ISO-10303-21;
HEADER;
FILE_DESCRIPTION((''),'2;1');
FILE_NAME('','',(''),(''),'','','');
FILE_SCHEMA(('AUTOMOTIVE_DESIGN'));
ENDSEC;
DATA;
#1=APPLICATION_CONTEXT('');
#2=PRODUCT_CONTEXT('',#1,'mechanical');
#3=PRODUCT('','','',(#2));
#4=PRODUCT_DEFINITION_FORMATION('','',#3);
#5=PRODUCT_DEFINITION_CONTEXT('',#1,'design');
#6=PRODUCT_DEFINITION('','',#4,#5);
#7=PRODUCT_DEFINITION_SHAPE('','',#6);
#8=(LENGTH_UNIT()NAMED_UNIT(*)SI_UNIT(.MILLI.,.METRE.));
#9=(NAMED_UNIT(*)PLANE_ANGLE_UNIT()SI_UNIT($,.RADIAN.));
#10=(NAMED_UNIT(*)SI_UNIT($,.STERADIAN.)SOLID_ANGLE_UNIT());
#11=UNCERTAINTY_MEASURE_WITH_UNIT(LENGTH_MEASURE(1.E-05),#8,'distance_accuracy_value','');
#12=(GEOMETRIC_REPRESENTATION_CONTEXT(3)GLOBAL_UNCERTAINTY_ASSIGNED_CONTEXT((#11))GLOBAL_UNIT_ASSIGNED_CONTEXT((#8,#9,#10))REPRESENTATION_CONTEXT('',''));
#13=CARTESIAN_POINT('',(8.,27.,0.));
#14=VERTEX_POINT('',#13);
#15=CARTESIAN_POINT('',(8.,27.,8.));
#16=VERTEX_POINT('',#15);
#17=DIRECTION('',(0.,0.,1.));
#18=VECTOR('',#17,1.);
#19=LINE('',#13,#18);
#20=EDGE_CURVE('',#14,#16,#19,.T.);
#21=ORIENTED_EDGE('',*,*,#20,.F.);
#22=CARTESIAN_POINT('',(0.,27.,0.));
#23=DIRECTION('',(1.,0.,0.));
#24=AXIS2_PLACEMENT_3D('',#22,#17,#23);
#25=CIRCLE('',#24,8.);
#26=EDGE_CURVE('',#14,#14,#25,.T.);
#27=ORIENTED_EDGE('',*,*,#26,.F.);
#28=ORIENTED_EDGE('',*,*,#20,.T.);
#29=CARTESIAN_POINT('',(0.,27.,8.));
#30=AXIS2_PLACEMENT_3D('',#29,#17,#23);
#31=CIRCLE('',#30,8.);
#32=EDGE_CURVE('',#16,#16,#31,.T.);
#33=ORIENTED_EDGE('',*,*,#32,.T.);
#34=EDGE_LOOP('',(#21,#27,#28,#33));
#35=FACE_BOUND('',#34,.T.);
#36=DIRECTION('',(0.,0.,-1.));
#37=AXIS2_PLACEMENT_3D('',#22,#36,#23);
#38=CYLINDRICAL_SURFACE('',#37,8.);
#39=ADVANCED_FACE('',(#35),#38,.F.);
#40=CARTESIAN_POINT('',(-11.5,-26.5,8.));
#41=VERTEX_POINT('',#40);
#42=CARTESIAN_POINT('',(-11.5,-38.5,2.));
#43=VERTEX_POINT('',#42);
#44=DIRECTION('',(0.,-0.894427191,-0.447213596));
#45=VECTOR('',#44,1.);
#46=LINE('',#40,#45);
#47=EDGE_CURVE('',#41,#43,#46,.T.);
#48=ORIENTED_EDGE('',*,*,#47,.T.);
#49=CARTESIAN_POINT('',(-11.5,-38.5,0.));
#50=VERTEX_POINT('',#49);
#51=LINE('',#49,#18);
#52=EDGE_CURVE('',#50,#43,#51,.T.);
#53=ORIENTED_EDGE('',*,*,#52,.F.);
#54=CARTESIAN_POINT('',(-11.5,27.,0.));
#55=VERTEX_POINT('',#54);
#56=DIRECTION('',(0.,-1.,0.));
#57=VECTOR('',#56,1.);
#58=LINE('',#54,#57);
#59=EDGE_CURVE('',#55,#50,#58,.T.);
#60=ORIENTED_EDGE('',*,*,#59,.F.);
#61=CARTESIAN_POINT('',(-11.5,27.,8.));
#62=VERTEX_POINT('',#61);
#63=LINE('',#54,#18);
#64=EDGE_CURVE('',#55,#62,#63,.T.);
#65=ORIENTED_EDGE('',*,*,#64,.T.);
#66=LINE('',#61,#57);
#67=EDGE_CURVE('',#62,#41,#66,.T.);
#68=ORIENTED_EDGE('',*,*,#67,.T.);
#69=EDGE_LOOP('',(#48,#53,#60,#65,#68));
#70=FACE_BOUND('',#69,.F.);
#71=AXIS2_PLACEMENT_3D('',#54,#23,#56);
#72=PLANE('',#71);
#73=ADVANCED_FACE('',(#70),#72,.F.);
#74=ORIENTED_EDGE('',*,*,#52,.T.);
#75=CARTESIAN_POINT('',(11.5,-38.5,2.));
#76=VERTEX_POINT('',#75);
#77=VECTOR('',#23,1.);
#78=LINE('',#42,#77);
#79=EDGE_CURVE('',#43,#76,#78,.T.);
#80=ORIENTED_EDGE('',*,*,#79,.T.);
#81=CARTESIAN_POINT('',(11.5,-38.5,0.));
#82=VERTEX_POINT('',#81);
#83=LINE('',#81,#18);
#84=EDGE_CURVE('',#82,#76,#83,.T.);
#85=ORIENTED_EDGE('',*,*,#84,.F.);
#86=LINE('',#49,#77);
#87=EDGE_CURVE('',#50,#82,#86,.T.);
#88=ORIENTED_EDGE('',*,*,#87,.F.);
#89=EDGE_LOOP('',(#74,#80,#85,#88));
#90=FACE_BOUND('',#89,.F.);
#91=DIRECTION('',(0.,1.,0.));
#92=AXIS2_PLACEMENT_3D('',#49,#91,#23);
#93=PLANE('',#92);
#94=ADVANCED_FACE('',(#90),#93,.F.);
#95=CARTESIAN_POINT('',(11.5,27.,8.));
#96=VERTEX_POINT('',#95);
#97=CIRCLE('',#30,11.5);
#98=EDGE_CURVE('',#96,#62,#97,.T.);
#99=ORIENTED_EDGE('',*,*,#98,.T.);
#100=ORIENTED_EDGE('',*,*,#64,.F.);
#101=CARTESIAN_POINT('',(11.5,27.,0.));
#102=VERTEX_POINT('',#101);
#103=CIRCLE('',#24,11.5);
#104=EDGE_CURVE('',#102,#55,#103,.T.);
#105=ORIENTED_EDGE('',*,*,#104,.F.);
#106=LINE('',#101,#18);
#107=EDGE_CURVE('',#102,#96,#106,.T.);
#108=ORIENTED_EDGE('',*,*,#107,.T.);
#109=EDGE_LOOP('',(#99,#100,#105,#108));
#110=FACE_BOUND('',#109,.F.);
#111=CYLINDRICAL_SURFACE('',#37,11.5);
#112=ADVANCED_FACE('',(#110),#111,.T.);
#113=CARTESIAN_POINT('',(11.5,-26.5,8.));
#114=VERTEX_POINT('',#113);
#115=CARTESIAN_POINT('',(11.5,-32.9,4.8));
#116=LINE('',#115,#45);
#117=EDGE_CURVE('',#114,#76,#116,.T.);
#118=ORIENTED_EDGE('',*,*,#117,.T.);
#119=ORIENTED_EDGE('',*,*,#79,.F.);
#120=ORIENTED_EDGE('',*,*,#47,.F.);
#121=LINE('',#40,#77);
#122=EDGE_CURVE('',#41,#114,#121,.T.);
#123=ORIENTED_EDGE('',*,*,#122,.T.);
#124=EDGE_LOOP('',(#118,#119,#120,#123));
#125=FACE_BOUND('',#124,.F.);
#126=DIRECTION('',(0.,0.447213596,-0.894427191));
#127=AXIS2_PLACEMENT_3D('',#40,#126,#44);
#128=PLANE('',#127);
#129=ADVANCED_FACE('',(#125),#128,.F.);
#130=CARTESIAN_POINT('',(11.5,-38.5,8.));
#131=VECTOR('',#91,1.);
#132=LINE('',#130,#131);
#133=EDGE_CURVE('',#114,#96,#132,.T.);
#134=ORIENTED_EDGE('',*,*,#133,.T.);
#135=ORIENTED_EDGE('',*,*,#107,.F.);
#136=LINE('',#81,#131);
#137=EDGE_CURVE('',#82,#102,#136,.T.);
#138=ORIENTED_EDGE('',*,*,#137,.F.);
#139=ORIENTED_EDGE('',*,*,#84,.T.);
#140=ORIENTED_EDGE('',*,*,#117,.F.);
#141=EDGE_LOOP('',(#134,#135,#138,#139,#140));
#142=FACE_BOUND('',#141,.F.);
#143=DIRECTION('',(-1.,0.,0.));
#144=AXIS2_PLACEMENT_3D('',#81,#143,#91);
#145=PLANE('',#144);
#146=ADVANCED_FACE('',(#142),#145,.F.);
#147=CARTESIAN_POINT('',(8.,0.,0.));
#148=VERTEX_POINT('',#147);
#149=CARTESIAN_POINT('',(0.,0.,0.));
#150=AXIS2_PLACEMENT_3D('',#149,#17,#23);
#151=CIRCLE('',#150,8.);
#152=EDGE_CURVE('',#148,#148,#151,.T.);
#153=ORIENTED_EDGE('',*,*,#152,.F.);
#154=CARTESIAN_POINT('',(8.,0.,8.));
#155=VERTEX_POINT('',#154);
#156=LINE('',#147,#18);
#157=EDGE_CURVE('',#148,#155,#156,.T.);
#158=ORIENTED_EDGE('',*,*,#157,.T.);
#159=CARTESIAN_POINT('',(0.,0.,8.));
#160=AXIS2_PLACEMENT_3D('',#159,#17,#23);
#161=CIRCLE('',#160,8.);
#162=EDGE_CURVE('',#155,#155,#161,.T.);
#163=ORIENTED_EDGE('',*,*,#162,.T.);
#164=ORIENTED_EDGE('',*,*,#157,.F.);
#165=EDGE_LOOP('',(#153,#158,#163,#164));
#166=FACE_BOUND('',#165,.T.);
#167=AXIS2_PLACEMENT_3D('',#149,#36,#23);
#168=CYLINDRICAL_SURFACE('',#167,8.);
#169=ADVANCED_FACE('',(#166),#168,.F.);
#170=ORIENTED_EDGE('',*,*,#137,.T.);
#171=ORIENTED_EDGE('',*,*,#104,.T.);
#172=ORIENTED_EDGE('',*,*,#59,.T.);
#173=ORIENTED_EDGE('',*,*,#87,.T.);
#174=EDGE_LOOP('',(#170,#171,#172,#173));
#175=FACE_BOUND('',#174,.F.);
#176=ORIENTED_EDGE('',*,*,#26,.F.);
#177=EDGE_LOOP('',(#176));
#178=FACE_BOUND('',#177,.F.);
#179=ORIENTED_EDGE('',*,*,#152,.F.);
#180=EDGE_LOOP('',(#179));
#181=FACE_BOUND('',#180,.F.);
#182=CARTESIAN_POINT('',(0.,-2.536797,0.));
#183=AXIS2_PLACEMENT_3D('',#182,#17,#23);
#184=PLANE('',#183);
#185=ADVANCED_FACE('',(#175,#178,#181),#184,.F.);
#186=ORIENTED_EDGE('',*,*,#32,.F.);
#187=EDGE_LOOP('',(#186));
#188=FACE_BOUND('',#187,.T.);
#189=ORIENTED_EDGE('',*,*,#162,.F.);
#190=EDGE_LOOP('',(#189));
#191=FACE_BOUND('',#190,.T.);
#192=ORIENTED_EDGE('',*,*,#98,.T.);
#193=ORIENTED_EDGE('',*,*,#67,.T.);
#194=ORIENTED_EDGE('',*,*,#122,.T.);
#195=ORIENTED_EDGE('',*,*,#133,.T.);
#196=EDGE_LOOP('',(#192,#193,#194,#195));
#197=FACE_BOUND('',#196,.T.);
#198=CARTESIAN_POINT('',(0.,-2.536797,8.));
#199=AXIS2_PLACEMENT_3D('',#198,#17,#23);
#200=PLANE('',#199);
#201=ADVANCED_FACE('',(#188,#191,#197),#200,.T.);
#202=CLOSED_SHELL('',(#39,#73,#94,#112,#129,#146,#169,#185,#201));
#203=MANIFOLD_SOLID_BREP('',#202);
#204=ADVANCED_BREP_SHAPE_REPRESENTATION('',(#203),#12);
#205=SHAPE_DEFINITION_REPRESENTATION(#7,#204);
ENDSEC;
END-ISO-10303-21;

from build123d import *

# Parameters (mm, degrees)
F0_R     = 8
F1_DEPTH = 8
F3_DEPTH = 23.001


with BuildPart() as f1:
    # F0 (on Top) → F1 (new body)
    with BuildSketch(Plane.XY):
        with BuildLine():
            Line((-11.5, 27), (-11.5, -38.5))
            Line((-11.5, -38.5), (11.5, -38.5))
            Line((11.5, -38.5), (11.5, 27))
            ThreePointArc((11.5, 27), (0, 38.5), (-11.5, 27))
        make_face()
        Circle(F0_R, mode=Mode.SUBTRACT)
        with Locations((0, 27)):
            Circle(F0_R, mode=Mode.SUBTRACT)
    extrude(amount=F1_DEPTH)

    # F2 (on face) → F3 (cut, through all)
    with BuildSketch(Plane(origin=(-11.5, 0, 0), x_dir=(0, -1, 0), z_dir=(-1, 0, 0))):
        Polygon((26.5, 8), (38.5, 2), (38.5, 8), align=None)
    extrude(amount=-F3_DEPTH, mode=Mode.SUBTRACT)


solid = f1.part
